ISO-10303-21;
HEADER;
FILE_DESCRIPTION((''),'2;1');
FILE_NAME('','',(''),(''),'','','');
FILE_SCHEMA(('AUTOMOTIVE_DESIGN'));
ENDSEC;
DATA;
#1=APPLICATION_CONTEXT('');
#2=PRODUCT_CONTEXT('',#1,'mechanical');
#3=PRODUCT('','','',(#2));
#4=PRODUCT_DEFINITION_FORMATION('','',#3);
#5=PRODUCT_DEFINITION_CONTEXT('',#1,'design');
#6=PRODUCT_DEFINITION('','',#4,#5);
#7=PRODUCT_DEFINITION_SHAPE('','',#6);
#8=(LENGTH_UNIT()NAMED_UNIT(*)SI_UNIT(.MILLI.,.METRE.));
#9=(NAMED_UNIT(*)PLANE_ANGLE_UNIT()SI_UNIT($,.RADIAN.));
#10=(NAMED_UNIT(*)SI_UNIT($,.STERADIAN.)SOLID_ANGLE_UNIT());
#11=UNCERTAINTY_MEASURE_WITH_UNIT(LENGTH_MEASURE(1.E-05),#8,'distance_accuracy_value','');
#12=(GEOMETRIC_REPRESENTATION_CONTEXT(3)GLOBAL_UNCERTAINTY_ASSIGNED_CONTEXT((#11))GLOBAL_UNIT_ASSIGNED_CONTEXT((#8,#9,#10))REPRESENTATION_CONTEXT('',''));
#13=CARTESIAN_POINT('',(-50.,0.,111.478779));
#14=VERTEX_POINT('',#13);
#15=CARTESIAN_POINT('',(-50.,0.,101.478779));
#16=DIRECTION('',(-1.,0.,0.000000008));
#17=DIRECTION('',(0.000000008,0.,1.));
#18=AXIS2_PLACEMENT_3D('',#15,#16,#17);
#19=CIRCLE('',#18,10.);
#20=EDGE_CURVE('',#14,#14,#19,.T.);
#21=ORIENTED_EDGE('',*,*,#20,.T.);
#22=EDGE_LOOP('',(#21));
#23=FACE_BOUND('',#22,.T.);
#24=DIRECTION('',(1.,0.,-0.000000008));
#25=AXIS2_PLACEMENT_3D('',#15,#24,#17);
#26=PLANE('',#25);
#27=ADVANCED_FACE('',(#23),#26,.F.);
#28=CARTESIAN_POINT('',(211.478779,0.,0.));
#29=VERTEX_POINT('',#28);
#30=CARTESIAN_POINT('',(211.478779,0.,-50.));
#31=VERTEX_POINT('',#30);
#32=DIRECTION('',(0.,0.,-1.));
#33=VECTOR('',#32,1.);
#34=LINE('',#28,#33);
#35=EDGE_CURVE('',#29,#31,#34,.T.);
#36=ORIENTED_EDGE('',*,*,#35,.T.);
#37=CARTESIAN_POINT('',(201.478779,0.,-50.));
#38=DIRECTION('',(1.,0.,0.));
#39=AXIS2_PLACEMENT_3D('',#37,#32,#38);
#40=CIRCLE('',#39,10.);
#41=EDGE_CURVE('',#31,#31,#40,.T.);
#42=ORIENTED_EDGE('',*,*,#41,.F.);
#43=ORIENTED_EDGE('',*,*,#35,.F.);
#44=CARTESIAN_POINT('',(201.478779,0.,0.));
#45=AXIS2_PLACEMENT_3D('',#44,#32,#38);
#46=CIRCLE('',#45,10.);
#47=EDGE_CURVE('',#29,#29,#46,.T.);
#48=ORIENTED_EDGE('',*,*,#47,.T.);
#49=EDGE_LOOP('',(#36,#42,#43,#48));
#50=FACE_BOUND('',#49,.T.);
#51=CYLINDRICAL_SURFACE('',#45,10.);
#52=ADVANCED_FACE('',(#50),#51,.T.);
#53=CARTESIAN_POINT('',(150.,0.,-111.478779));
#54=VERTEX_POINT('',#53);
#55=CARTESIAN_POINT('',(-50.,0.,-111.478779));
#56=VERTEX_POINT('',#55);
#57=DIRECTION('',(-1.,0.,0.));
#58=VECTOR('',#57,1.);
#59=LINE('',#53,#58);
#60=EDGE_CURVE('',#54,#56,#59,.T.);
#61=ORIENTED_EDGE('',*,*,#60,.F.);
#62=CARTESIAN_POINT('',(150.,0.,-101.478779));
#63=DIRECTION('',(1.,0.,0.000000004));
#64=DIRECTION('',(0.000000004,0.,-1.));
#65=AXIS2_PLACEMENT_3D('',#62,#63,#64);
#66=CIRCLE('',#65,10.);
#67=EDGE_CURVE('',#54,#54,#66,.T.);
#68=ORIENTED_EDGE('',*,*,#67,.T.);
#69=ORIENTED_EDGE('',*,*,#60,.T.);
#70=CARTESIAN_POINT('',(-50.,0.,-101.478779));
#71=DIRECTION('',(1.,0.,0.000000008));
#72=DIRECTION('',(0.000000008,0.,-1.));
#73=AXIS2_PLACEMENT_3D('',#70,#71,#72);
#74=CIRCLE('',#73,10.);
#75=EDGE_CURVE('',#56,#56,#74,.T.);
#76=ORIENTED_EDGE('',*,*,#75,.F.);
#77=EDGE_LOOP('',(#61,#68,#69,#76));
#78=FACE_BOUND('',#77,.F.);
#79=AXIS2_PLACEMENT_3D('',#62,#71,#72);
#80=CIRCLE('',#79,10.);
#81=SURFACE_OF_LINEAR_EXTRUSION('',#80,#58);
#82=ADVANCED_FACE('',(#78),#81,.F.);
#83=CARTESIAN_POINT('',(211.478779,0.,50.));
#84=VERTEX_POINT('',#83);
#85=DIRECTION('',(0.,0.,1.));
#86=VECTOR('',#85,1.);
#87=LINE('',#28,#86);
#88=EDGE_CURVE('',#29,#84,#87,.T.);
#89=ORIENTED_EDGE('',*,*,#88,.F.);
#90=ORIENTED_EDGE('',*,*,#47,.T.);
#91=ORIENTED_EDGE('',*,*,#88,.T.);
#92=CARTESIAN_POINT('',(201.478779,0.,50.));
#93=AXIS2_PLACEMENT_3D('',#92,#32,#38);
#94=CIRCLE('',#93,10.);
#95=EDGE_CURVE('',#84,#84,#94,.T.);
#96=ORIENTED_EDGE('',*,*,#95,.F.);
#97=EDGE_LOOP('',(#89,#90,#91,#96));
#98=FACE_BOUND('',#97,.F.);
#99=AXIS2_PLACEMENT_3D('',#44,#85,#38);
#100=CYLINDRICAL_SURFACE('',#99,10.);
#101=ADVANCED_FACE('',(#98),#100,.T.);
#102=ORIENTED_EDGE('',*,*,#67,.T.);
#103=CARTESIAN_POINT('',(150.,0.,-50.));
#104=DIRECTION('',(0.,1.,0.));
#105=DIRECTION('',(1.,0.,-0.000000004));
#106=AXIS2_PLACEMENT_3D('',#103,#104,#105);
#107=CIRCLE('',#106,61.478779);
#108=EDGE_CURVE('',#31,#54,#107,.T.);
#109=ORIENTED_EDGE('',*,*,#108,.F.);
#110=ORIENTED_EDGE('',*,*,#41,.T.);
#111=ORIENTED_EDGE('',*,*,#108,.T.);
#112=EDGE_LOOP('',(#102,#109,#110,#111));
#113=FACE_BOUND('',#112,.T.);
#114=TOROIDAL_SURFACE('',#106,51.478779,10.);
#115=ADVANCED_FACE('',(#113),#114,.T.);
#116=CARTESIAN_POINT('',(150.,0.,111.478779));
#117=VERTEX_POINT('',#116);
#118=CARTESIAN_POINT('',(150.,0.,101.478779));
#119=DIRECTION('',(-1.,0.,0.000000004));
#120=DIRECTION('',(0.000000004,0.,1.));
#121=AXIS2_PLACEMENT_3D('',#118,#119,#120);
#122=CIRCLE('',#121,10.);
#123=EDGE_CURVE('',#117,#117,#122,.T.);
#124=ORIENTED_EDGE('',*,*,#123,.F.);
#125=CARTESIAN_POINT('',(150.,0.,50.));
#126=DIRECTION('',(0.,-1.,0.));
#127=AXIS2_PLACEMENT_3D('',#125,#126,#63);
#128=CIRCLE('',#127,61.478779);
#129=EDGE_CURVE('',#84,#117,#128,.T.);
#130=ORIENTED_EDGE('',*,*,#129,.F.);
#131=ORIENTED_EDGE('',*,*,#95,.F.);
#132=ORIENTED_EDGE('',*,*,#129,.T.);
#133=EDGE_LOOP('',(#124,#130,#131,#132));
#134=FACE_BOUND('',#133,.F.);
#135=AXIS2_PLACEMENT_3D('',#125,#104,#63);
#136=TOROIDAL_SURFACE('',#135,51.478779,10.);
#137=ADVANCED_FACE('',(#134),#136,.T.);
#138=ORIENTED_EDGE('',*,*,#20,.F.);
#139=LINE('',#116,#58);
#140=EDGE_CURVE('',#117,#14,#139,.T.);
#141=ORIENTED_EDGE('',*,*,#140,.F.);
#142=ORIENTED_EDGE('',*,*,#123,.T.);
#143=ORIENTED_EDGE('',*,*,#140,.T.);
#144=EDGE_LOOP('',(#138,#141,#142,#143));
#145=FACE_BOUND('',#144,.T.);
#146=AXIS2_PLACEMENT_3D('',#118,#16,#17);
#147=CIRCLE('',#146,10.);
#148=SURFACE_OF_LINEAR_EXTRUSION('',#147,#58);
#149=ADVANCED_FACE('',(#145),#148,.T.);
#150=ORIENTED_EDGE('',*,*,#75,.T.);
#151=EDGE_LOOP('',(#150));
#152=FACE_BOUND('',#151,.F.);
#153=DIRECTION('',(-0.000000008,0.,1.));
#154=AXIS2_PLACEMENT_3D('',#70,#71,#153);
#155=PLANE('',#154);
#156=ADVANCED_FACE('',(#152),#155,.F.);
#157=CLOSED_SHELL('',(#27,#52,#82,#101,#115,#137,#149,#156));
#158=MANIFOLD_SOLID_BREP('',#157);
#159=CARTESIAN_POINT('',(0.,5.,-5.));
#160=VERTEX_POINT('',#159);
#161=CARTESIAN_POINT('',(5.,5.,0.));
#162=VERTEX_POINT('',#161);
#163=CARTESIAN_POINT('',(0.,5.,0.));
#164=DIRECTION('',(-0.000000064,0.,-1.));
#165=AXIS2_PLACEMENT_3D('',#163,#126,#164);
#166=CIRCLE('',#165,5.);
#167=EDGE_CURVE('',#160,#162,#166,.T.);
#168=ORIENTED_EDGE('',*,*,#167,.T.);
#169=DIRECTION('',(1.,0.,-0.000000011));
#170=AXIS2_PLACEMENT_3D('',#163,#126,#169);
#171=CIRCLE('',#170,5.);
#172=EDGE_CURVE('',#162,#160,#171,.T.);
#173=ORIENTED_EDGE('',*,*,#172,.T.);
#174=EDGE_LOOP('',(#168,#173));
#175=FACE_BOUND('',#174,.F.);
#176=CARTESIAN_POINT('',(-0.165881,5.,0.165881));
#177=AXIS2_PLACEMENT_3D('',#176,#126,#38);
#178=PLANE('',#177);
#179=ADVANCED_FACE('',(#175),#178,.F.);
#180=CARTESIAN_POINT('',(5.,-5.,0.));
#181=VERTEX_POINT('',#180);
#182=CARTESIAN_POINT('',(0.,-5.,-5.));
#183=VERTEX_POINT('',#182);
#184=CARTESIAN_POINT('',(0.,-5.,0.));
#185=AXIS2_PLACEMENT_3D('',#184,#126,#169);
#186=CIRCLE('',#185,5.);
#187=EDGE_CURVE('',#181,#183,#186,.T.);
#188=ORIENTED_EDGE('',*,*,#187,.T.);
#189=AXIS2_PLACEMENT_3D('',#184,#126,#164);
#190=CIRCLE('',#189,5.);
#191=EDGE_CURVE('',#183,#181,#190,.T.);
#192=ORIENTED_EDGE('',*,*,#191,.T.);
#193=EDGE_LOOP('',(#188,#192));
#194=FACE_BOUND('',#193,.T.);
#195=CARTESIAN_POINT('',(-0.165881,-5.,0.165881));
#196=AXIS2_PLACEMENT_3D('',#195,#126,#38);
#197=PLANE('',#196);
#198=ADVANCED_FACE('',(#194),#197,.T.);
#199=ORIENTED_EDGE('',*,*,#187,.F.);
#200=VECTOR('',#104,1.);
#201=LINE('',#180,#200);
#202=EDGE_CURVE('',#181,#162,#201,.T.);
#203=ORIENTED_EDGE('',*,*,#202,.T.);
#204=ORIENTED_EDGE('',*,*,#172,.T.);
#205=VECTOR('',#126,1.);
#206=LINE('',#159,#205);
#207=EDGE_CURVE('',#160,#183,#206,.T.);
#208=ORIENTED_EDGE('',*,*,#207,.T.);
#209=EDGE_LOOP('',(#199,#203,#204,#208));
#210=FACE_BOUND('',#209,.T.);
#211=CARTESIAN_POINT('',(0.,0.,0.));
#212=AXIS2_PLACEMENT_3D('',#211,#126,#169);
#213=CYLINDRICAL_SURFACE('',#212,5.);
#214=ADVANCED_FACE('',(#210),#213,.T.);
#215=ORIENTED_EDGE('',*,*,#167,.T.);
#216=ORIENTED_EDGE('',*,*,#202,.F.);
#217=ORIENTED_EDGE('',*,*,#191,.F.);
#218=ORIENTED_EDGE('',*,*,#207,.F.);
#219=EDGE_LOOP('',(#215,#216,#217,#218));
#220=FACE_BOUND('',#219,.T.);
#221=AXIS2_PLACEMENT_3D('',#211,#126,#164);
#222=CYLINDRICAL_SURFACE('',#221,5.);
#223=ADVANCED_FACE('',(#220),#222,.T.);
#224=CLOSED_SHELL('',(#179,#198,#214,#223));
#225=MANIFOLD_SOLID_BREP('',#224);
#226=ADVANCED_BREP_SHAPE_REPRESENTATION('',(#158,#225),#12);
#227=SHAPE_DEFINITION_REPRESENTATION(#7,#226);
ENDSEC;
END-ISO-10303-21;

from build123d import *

# Parameters (mm, degrees)
F1_DEPTH = 5
F2_R     = 10


with BuildPart() as f1:
    # F0 (on Front) → F1 (new body, symmetric)
    with BuildSketch(Plane.XZ):
        with BuildLine():
            Line((0, -5), (0, 0))
            Line((0, 0), (5, 0))
            ThreePointArc((5, 0), (-3.535534, 3.535534), (0, -5))
        make_face()
        with BuildLine():
            Line((5, 0), (0, 0))
            Line((0, 0), (0, -5))
            ThreePointArc((0, -5), (3.535534, -3.535534), (5, 0))
        make_face()
    extrude(amount=F1_DEPTH, both=True)


with BuildPart() as f3:
    # F3: sweep along a path in F0
    with BuildLine(Plane.XZ) as f3_path:
        Line((200, 0), (200, -50))
        ThreePointArc((200, -50), (185.355339, -85.355339), (150, -100))
        Line((150, -100), (0, -100))
        Line((0, -100), (-50, -100))
    # F2 (on Top) → F3 (sweep)
    with BuildSketch(Plane.XY):
        with Locations((201.478779, 0)):
            Circle(F2_R)
    sweep(path=f3_path.line)

    # F4: F3 across face


with BuildPart() as f3_1:
    add(f3.part)
    add(f3.part.mirror(Plane(origin=(201.478779, 0, 0), x_dir=(1, 0, 0), z_dir=(0, 0, 1))))


solid = Compound([f1.part, f3_1.part])
